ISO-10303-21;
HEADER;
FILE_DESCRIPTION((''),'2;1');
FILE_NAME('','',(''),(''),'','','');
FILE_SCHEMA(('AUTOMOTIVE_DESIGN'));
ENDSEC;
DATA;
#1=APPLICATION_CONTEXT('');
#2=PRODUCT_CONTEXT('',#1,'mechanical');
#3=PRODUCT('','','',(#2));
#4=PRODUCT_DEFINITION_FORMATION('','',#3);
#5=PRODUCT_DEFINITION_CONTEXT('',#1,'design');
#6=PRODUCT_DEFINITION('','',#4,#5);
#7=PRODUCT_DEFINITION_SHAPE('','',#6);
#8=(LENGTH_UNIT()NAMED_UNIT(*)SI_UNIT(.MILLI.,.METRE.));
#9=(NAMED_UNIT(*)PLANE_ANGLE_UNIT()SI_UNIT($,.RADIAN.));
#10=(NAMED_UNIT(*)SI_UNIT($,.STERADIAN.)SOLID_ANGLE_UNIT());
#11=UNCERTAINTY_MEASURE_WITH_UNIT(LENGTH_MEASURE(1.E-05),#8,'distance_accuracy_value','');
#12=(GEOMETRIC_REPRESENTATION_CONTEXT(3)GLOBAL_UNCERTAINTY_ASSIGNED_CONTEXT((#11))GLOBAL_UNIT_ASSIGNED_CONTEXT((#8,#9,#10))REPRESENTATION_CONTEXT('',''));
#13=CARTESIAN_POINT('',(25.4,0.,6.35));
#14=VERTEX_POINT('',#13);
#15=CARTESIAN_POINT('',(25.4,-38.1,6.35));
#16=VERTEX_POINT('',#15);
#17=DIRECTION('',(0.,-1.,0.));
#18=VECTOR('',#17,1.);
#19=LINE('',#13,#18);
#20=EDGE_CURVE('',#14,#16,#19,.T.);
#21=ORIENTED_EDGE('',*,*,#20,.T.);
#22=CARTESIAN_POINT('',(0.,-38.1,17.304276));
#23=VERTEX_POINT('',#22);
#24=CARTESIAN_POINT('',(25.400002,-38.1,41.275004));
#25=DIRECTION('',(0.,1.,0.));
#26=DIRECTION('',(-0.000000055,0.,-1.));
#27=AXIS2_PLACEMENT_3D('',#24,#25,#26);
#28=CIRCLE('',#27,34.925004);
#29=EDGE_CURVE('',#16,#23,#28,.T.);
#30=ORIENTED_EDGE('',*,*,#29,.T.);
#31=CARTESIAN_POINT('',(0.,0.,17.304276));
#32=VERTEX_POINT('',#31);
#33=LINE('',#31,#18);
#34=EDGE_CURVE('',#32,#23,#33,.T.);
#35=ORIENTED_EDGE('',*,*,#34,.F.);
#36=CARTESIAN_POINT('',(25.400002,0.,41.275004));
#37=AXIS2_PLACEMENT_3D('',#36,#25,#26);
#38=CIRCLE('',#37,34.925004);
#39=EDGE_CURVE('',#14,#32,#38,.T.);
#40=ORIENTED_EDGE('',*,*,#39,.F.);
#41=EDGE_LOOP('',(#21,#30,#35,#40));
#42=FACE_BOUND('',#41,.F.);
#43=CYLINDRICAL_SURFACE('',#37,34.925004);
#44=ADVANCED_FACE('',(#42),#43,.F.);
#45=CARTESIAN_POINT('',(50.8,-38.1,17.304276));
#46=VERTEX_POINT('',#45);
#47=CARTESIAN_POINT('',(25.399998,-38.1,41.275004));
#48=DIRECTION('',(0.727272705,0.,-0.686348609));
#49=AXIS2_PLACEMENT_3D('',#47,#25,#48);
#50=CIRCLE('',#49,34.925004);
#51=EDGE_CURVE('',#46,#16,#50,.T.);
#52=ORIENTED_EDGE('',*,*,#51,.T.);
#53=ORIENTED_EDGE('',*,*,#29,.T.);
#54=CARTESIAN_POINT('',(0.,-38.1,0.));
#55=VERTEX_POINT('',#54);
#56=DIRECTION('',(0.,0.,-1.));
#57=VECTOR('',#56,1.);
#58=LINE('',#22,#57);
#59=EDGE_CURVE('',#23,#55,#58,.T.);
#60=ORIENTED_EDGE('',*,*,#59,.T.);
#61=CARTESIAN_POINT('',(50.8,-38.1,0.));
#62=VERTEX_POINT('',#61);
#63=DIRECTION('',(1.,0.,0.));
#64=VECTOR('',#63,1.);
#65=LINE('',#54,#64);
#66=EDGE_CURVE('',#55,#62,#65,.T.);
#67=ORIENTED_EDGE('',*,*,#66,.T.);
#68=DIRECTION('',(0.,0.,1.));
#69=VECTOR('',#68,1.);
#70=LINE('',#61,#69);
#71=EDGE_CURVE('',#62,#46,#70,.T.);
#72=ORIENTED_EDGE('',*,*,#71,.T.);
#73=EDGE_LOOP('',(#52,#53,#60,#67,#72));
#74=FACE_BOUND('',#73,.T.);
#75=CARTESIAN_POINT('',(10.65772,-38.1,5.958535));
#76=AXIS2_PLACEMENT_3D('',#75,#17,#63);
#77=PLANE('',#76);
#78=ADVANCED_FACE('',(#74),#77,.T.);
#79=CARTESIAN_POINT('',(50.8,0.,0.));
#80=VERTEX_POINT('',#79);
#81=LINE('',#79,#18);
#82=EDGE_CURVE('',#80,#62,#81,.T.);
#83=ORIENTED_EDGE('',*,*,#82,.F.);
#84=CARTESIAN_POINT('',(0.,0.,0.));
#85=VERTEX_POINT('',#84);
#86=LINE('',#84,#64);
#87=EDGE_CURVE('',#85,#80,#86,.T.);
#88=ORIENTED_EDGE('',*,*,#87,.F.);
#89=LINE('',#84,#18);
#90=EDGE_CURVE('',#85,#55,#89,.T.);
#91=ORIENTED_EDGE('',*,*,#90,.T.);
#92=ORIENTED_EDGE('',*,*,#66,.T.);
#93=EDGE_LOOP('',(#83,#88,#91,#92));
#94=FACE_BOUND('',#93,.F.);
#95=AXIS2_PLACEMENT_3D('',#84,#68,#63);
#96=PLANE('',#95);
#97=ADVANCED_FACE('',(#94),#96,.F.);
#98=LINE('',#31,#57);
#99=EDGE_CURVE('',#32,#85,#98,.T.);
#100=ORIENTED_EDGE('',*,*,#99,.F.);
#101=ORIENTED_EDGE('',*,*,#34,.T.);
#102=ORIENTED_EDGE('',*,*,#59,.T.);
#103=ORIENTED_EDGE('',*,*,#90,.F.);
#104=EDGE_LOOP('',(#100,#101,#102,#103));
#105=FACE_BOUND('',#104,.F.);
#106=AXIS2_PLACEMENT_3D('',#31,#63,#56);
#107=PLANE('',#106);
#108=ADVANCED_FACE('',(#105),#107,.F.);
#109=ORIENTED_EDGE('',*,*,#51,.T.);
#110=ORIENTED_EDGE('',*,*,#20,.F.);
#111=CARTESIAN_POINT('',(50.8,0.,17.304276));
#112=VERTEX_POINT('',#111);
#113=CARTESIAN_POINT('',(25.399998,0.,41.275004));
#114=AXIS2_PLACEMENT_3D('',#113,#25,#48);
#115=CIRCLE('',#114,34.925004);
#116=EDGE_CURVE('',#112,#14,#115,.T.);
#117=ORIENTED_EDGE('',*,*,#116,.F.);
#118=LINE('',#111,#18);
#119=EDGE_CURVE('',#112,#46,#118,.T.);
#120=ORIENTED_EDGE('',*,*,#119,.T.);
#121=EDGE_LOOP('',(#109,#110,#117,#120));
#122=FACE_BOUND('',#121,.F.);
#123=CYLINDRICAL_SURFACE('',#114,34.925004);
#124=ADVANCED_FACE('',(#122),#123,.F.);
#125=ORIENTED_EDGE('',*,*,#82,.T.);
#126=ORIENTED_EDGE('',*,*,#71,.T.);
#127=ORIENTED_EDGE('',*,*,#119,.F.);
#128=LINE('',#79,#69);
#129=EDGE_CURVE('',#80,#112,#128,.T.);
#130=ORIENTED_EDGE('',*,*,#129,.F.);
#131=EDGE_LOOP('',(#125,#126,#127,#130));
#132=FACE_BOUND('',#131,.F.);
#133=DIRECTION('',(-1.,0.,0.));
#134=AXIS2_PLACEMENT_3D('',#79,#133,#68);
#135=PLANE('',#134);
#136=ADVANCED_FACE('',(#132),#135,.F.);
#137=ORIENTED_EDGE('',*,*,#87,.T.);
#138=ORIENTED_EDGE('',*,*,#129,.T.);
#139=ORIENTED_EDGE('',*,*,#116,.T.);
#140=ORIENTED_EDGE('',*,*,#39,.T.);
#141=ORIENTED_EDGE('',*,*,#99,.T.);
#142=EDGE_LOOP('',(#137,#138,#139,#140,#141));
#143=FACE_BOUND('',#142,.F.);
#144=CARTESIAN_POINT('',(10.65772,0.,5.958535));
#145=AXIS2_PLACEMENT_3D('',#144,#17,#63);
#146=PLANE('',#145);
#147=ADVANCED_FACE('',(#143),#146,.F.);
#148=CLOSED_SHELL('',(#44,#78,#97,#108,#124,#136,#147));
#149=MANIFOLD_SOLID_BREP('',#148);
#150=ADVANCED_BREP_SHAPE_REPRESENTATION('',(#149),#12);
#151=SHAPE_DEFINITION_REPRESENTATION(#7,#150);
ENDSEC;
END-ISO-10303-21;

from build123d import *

# Parameters (mm, degrees)
F1_DEPTH = 38.1


with BuildPart() as f1:
    # F0 (on Front) → F1 (new body)
    with BuildSketch(Plane.XZ):
        with BuildLine():
            Line((0, 17.304276), (0, 0))
            Line((0, 0), (25.4, 0))
            Line((25.4, 0), (25.4, 6.35))
            ThreePointArc((25.4, 6.35), (11.569272, 9.205286), (0, 17.304276))
        make_face()
        with BuildLine():
            Line((25.4, 6.35), (25.4, 0))
            Line((25.4, 0), (50.8, 0))
            Line((50.8, 0), (50.8, 17.304276))
            ThreePointArc((50.8, 17.304276), (39.230728, 9.205286), (25.4, 6.35))
        make_face()
    extrude(amount=F1_DEPTH)


solid = f1.part
